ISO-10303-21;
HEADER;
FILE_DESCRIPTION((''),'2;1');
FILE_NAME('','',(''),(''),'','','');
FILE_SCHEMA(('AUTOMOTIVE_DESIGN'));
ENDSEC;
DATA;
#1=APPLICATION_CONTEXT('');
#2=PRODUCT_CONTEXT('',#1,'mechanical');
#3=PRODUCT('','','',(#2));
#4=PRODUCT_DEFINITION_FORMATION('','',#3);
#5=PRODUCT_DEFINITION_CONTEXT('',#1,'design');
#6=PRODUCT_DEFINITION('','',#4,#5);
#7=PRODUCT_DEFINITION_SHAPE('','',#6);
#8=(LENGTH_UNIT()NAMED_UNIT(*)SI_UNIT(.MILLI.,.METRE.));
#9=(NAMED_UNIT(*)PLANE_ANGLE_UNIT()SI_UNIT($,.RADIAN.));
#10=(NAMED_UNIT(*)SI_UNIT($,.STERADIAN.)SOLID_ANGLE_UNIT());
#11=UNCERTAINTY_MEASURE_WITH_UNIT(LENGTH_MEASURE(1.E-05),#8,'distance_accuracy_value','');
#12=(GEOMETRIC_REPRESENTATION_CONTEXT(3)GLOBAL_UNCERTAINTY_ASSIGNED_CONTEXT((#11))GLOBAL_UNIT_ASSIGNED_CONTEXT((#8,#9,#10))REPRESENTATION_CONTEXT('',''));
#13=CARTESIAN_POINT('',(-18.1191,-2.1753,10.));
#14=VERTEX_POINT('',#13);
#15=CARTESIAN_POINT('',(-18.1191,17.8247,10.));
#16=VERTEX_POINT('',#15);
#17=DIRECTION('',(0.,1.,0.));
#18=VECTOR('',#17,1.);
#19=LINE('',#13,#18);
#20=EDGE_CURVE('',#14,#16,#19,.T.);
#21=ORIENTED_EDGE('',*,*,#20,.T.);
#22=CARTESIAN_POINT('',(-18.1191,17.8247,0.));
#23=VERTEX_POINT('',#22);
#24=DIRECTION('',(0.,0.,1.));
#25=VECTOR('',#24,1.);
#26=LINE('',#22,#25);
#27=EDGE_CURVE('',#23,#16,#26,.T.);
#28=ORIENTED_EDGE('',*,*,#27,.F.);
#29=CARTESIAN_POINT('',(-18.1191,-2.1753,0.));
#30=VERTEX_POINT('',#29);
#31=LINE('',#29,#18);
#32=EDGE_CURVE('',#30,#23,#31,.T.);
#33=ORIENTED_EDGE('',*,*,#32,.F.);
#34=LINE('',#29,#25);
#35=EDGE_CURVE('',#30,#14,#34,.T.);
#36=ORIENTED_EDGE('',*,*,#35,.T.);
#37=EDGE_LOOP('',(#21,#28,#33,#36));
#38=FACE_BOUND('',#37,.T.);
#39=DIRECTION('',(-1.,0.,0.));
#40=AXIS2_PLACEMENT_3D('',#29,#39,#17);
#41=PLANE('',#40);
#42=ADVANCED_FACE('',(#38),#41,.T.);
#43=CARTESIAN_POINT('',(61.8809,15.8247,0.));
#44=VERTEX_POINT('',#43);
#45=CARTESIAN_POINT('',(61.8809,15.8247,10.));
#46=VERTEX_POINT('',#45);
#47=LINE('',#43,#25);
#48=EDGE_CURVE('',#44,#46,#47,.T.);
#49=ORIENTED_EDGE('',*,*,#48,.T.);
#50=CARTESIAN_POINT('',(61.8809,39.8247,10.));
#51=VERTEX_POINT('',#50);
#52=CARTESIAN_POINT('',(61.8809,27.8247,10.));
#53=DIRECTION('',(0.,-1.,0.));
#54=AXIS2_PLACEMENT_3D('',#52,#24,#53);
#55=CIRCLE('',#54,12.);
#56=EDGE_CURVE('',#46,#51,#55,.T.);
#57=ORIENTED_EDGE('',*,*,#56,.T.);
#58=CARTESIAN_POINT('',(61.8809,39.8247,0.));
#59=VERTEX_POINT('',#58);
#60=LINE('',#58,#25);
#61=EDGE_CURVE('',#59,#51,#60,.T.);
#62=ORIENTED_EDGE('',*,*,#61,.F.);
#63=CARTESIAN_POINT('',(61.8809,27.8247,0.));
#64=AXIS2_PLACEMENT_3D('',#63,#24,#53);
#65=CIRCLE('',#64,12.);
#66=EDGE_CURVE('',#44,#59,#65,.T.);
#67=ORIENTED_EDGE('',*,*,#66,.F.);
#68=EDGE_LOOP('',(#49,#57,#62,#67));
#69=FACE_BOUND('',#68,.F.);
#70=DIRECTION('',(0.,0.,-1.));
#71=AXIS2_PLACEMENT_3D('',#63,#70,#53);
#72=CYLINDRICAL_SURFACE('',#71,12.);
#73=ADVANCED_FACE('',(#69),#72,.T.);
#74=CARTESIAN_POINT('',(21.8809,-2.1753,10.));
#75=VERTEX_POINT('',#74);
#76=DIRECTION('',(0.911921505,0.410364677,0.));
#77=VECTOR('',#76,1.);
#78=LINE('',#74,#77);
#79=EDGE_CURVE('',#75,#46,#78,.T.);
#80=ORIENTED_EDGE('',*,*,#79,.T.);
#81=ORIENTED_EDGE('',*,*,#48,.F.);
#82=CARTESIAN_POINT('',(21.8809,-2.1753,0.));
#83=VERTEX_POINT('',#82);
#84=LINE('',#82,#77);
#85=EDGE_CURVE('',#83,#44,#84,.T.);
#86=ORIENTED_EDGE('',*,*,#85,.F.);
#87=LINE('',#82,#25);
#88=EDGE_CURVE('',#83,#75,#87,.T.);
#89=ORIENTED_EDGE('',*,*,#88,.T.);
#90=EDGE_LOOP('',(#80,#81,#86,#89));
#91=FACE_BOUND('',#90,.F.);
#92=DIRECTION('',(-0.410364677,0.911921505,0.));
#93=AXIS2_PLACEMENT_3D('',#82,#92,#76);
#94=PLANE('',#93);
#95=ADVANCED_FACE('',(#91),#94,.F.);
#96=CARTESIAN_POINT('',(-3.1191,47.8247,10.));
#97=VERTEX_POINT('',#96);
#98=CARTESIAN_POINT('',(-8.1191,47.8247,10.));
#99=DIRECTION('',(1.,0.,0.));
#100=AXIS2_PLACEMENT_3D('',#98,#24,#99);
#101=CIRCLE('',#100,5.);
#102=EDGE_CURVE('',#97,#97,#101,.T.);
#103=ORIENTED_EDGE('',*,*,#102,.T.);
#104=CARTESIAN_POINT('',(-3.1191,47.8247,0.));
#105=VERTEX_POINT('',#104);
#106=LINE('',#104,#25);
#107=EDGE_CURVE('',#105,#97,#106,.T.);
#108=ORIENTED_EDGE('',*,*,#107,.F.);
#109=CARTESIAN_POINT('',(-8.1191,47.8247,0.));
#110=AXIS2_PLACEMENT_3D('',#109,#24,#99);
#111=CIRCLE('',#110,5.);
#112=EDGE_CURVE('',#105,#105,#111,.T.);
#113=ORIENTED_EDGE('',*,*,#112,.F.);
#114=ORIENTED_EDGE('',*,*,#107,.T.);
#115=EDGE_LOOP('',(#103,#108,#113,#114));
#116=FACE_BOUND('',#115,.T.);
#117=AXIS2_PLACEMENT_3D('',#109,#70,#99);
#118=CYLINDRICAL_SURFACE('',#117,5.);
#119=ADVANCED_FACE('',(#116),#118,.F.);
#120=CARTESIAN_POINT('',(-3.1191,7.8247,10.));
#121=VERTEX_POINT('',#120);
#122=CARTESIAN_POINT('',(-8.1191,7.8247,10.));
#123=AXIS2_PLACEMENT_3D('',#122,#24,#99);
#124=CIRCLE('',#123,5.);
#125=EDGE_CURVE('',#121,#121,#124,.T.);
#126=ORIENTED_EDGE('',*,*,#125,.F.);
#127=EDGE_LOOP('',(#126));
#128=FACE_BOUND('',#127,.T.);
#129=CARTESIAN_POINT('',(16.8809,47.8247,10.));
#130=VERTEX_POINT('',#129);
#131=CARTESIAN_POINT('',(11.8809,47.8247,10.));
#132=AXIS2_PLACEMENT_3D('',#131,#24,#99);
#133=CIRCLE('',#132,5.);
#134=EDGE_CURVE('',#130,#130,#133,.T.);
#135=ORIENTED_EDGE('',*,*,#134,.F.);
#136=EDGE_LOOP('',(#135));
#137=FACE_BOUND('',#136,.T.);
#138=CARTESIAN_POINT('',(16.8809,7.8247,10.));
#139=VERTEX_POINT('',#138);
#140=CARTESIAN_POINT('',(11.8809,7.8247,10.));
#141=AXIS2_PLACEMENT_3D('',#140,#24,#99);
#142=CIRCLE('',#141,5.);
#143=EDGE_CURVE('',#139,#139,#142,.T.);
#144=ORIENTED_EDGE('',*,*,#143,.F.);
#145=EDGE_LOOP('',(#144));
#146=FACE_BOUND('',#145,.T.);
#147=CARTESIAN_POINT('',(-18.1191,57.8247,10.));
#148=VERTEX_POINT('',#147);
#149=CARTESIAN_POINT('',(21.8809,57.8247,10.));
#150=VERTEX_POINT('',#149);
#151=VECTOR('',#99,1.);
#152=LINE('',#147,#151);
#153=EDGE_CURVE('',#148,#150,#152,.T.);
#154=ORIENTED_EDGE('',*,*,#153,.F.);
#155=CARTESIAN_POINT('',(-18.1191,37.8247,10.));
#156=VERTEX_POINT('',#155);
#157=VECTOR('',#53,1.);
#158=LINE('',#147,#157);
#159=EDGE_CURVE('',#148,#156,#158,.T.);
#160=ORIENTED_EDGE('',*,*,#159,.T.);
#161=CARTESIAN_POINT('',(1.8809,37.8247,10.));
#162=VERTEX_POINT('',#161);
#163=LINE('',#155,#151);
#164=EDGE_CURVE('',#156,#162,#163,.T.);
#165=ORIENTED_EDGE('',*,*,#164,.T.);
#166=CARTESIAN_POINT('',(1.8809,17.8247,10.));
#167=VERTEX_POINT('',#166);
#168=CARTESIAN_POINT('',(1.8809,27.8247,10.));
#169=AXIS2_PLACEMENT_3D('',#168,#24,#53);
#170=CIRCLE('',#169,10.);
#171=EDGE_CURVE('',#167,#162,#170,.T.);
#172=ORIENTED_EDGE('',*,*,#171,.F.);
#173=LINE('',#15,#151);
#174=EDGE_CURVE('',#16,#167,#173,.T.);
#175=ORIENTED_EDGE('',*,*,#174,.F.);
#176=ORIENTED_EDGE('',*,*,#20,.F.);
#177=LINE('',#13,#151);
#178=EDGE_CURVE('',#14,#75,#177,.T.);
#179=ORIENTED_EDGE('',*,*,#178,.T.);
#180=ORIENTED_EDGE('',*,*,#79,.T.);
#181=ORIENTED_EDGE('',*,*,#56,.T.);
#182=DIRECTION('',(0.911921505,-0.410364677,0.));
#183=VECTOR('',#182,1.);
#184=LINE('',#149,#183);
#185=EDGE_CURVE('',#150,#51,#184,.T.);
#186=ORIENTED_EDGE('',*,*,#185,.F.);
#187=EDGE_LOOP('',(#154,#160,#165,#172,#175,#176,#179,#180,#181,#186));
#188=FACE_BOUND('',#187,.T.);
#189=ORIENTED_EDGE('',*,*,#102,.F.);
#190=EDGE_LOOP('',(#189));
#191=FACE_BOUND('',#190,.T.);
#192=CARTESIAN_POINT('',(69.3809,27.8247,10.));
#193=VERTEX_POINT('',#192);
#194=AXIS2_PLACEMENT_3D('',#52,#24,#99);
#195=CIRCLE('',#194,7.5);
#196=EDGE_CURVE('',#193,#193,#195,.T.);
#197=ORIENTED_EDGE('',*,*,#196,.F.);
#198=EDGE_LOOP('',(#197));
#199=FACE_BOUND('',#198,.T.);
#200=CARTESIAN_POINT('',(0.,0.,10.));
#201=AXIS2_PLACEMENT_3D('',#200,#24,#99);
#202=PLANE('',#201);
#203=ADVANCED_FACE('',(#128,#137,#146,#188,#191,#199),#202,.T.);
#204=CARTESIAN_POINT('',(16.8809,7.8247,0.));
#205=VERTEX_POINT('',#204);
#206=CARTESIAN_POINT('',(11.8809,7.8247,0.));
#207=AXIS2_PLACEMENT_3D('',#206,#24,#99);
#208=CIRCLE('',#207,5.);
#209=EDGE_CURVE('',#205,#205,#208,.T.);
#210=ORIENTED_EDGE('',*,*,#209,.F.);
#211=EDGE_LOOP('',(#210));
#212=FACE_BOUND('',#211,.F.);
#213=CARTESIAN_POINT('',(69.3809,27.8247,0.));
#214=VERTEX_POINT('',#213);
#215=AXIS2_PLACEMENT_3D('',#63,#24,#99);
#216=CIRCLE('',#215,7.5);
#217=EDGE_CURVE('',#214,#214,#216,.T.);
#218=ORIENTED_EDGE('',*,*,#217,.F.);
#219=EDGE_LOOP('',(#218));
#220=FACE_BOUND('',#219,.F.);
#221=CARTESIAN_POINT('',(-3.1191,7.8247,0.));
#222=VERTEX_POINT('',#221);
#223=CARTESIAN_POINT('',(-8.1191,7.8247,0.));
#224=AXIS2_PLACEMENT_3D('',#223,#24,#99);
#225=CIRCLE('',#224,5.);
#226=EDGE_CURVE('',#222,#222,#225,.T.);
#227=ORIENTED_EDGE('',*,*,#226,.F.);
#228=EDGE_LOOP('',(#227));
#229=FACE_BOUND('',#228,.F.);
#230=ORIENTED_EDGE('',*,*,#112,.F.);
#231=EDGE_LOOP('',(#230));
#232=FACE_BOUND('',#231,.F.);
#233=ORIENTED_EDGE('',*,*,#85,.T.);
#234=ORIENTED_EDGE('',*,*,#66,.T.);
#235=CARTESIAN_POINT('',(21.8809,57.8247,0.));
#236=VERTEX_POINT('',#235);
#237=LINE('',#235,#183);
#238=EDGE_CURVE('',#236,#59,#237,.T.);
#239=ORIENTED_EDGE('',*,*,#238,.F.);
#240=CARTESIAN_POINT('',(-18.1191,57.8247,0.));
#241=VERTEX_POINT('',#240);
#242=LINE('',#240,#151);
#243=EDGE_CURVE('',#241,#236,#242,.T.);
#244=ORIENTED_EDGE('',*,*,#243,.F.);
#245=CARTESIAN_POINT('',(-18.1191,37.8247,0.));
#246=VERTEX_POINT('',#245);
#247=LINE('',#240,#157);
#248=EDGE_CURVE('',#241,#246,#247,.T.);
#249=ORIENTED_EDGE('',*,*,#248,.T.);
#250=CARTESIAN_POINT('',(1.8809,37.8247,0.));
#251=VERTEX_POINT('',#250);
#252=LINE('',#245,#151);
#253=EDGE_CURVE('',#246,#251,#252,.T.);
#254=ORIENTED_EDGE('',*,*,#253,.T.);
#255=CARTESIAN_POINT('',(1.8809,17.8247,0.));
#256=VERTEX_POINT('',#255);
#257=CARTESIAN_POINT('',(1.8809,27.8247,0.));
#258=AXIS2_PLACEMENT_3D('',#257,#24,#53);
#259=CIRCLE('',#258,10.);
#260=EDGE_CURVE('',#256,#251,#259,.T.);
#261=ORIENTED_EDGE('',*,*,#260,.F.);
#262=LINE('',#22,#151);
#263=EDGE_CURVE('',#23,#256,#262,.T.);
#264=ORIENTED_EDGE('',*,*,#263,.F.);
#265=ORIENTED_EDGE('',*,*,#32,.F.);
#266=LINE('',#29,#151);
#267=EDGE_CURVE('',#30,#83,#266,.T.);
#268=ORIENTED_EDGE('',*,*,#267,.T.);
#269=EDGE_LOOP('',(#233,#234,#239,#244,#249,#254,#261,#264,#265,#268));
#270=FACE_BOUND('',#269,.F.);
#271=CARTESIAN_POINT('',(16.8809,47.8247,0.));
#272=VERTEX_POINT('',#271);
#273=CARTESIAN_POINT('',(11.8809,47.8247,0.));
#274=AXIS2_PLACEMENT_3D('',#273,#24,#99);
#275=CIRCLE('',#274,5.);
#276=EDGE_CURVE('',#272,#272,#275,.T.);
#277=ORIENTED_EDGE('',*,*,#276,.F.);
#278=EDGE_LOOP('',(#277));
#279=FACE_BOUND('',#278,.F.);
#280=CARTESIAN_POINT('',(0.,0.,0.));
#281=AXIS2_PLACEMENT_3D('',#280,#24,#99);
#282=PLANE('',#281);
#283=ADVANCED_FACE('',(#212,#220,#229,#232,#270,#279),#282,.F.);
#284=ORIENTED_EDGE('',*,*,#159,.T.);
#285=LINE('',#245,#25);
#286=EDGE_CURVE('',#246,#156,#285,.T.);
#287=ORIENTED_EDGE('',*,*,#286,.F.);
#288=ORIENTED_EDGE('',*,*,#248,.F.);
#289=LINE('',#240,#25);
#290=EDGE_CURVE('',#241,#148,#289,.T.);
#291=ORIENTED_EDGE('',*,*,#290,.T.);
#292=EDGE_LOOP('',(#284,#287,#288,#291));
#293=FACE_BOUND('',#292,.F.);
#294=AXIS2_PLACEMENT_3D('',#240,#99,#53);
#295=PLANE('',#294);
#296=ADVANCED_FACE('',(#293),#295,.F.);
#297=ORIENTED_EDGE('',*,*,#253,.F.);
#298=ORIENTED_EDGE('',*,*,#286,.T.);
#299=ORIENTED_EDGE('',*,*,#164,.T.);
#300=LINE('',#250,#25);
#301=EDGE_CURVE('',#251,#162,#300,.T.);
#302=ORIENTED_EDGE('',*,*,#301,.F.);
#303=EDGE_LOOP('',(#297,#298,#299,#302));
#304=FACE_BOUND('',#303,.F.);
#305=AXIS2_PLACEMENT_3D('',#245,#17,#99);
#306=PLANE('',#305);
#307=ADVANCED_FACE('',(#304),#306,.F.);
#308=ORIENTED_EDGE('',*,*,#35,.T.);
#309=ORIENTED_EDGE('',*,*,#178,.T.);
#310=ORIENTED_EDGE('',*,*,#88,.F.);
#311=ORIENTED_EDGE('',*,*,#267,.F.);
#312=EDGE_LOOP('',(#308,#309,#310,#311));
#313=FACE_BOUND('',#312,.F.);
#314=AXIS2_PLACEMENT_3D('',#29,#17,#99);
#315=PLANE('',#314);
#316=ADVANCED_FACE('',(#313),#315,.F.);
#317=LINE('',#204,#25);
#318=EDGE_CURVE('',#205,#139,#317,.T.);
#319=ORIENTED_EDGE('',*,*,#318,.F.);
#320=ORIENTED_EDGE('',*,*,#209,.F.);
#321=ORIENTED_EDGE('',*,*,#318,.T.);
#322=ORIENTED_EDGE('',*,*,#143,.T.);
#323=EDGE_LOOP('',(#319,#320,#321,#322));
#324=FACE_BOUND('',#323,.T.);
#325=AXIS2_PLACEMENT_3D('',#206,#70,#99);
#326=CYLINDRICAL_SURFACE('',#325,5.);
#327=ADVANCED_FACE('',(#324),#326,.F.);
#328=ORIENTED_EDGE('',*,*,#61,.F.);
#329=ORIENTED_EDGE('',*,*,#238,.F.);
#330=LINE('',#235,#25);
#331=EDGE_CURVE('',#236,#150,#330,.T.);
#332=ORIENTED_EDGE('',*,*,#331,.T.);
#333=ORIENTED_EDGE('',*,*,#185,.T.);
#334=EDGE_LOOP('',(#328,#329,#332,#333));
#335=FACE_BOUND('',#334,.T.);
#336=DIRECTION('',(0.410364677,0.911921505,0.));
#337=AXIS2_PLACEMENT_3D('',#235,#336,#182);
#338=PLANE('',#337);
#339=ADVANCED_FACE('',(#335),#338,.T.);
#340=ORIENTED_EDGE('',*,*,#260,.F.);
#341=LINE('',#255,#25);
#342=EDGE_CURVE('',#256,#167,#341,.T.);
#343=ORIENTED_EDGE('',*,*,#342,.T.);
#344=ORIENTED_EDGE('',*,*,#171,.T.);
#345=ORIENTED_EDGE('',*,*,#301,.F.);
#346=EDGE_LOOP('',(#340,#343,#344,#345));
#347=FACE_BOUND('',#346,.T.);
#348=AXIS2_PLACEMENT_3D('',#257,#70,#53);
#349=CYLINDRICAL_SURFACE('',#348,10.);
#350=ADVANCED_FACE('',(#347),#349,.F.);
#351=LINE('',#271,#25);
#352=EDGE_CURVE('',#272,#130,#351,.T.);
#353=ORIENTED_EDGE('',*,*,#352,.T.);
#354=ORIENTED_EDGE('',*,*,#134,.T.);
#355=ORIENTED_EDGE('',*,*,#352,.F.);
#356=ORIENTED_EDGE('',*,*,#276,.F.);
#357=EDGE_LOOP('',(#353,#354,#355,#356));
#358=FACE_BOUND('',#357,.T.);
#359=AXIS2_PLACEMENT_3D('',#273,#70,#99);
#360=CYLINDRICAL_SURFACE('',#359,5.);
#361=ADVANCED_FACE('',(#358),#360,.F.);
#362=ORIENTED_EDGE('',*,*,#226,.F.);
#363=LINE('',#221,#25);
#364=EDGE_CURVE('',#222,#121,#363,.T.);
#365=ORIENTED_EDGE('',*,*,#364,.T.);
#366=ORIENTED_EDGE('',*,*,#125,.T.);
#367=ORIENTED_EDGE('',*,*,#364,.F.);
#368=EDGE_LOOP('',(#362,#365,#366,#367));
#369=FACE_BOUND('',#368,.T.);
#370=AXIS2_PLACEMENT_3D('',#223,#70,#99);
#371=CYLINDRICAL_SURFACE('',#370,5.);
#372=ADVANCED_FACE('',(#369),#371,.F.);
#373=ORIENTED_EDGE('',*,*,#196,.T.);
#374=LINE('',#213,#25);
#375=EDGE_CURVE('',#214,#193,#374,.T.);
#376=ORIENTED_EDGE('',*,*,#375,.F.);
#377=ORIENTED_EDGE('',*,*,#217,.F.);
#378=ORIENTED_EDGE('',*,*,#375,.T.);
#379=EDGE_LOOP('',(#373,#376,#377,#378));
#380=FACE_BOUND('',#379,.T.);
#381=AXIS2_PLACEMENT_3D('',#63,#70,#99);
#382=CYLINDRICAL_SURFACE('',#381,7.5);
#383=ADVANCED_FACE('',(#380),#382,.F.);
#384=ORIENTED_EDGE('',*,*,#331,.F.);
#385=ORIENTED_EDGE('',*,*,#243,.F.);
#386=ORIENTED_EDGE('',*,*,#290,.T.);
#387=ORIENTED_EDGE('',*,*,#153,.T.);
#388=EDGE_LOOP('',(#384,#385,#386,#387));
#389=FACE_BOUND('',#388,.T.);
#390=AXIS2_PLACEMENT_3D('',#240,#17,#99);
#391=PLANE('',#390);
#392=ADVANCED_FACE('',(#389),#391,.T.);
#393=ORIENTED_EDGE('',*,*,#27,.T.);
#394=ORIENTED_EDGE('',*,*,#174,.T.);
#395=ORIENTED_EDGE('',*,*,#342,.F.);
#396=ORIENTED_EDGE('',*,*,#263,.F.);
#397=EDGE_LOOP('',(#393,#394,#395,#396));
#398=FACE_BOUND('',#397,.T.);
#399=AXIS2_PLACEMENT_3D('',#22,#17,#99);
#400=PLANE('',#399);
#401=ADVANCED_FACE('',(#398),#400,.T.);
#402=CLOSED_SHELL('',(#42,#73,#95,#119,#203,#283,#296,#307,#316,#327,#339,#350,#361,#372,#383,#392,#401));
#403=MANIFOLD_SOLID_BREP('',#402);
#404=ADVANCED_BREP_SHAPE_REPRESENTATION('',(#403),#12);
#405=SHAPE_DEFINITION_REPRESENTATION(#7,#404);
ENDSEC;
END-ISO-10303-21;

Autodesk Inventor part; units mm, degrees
ref_plane "YZ Plane" through (0, 0, 0) normal (1, 0, 0) x (0, 1, 0)
ref_plane "XZ Plane" through (0, 0, 0) normal (0, 1, 0) x (-1, 0, 0)
ref_plane "XY Plane" through (0, 0, 0) normal (0, 0, 1) x (1, 0, 0)
sketch "Эскиз1" plane through (0, 0, 0) normal (0, 0, 1) x (1, 0, 0)
  line L0 (-18.1191, -2.1753) -> (21.8809, -2.1753)
  line L1 (-18.1191, -2.1753) -> (-18.1191, 17.8247)
  line L2 (-18.1191, 17.8247) -> (1.8809, 17.8247)
  line L3 (-18.1191, 57.8247) -> (-18.1191, 37.8247)
  line L4 (-18.1191, 37.8247) -> (1.8809, 37.8247)
  line L5 (-18.1191, 57.8247) -> (21.8809, 57.8247)
  arc A0 (1.8809, 17.8247) -> (1.8809, 37.8247) centre (1.8809, 27.8247) ccw
  circle A1 centre (61.8809, 27.8247) radius 7.5
  line L6 (21.8809, 57.8247) -> (61.8809, 39.8247)
  line L7 (21.8809, -2.1753) -> (61.8809, 15.8247)
  arc A2 (61.8809, 15.8247) -> (61.8809, 39.8247) centre (61.8809, 27.8247) ccw
  circle A3 centre (-8.1191, 47.8247) radius 5
  circle A4 centre (-8.1191, 7.8247) radius 5
  circle A5 centre (11.8809, 47.8247) radius 5
  circle A6 centre (11.8809, 7.8247) radius 5
  point P0 (0, 0)
  dimension "j" = 40
  dimension "p" = 20
  dimension "g1" = 20
  dimension "d" = 60
  dimension "p1" = 20
  dimension "R1" = 15
  dimension "t" = 12
  dimension "r" = 10
  dimension "u" = 20
  dimension "a" = 80
  dimension "f1" = 10
sketch "Эскиз2" plane through (0, 0, 0) normal (0, 0, 1) x (1, 0, 0)
  point P0 (0, 0)
sketch "Эскиз3" plane through (0, 0, 0) normal (0, 0, 1) x (1, 0, 0)
  point P0 (0, 0)
extrude "Выдавливание1" add sketch "Эскиз1" along normal blind 10
properties part number "Model"
